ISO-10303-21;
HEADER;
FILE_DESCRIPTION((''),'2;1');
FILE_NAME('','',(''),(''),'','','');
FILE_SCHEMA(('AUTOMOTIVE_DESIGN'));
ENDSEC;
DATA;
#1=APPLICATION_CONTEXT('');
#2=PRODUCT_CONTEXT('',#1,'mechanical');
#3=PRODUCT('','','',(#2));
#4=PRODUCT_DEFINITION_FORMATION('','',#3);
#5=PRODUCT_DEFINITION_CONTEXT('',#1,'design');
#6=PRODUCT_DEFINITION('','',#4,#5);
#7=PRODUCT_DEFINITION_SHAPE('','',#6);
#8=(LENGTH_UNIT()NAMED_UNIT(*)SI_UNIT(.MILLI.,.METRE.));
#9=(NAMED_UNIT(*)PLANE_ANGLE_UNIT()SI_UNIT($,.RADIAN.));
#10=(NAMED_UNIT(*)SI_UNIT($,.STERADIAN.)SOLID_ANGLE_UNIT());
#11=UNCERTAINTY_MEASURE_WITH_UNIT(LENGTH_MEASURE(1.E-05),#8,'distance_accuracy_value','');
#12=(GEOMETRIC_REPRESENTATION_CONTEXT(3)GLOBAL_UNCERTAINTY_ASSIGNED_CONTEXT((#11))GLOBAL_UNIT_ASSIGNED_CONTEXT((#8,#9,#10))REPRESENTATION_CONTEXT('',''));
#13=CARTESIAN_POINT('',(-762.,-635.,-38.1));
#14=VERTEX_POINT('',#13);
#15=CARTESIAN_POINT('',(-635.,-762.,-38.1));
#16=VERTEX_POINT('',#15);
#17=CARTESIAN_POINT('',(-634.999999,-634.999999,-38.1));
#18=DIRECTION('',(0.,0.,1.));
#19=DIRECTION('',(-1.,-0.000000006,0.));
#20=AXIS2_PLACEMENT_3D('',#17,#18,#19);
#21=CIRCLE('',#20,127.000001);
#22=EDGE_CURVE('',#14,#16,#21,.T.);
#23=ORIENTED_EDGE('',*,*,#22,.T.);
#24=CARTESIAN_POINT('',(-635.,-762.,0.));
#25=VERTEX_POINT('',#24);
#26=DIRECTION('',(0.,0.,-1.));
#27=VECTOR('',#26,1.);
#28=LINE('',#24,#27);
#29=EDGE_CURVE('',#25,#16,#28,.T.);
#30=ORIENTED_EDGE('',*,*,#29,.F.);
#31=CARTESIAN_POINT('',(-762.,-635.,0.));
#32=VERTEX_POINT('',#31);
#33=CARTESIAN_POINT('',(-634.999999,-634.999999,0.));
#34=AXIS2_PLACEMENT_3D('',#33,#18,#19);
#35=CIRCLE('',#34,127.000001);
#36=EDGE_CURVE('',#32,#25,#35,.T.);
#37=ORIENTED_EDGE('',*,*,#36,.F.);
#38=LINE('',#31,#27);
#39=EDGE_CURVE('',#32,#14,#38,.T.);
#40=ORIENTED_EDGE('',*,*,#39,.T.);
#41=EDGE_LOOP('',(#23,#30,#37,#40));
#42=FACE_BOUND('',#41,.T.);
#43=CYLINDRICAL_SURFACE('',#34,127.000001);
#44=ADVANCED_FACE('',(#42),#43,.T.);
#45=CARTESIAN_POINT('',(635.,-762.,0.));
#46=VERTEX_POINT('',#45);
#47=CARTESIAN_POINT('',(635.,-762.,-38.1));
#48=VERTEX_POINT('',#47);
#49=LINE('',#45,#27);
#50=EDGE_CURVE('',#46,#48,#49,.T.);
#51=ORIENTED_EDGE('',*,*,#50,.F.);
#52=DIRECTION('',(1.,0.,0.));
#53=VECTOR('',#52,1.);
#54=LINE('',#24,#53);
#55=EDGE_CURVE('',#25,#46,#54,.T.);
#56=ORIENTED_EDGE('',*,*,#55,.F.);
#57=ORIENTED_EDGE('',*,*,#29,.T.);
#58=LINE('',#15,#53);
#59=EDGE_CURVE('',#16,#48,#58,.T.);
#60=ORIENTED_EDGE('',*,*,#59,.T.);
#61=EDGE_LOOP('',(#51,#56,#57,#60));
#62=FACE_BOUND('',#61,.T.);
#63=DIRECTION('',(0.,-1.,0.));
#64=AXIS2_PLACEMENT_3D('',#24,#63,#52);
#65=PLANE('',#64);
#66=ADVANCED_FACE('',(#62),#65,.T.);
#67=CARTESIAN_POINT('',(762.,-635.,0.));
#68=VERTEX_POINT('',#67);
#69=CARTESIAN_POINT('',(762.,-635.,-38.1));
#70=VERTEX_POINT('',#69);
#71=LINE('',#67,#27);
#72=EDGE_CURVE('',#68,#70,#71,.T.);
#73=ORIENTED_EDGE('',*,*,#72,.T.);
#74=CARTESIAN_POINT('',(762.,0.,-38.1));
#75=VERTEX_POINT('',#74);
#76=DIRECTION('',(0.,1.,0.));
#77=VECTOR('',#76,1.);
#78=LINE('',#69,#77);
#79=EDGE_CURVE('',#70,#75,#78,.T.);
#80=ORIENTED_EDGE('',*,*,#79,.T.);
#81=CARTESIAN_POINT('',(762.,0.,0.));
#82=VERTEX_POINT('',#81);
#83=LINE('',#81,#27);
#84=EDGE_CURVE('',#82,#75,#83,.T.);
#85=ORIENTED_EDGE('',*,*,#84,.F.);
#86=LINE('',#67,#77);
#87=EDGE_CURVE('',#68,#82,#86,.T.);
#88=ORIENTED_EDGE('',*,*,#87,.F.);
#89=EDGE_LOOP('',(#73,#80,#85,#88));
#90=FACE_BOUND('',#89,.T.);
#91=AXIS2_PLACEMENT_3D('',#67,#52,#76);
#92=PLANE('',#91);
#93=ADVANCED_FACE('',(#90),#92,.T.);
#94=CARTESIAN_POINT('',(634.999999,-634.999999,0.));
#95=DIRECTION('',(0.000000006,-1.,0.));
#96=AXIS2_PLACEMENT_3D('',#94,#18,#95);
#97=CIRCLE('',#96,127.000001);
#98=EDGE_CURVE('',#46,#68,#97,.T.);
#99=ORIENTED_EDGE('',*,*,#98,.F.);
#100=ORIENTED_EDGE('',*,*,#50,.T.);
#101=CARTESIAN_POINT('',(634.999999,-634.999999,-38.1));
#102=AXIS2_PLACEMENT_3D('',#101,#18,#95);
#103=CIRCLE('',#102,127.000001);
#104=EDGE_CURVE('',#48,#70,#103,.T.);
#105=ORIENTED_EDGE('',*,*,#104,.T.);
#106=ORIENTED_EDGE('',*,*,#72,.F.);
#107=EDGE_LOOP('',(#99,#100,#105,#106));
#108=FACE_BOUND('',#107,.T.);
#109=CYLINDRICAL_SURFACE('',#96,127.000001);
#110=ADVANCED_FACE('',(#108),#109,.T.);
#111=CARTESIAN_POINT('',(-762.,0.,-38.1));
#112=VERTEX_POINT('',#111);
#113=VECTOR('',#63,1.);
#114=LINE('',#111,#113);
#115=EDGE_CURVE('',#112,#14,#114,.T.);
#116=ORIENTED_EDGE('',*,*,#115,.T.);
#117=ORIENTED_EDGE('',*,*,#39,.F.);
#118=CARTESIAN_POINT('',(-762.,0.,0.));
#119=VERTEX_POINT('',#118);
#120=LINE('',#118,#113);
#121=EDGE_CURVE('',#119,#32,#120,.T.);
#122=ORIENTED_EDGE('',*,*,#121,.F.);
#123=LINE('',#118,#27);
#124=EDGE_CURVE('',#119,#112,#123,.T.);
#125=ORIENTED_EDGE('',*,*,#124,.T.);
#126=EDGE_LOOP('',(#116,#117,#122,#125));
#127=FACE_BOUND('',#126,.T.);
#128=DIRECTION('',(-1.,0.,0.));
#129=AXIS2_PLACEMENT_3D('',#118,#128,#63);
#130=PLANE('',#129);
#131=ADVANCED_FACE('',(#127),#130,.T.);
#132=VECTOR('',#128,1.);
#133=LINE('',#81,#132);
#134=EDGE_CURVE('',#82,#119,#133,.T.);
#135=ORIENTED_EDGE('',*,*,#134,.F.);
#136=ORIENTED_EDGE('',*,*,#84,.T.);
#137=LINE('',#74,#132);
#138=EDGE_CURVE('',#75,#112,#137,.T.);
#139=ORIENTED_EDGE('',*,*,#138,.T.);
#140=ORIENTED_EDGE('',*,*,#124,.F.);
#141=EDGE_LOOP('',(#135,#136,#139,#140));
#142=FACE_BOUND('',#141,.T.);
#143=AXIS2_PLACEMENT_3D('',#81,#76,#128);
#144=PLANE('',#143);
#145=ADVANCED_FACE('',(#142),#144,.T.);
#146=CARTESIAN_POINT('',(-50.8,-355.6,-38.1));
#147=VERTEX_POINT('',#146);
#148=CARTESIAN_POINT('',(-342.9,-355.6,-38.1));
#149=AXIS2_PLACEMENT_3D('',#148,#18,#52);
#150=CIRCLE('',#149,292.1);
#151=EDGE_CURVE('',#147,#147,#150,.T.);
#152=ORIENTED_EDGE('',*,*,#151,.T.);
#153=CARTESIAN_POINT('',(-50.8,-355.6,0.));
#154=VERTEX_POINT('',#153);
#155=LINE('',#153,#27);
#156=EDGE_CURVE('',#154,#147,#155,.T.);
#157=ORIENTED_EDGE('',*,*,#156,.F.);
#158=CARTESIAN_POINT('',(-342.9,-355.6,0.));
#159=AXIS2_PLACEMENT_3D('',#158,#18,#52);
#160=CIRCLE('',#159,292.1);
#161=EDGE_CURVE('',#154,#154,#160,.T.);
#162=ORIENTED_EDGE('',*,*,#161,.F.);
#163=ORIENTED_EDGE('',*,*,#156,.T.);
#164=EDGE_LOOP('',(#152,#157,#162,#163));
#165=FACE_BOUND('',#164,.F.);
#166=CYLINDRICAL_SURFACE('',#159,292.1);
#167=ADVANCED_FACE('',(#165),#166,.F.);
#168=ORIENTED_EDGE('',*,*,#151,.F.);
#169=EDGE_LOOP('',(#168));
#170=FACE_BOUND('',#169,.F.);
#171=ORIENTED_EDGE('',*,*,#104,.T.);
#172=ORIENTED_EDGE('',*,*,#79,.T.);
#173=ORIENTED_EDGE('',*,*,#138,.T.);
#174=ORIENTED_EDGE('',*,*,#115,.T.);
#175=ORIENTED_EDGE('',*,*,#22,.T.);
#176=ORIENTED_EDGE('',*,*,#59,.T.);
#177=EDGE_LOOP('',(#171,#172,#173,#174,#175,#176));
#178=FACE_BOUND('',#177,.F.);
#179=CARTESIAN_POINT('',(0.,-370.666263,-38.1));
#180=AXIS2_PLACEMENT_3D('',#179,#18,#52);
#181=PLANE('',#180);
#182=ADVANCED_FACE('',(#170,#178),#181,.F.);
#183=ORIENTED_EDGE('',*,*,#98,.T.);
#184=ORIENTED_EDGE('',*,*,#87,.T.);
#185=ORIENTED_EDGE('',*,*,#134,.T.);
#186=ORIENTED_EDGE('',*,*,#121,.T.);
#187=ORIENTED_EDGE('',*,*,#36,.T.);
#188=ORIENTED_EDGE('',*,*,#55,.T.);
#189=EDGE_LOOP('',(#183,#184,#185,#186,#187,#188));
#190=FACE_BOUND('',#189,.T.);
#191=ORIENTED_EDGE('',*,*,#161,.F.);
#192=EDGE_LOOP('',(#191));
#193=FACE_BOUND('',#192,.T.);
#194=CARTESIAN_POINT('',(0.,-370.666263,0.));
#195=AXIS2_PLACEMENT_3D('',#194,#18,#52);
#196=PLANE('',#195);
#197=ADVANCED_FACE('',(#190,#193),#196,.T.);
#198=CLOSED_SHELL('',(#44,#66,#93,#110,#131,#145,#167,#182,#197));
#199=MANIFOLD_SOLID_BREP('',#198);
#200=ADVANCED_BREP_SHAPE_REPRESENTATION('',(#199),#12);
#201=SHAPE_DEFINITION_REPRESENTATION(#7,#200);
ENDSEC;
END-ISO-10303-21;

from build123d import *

# Parameters (mm, degrees)
F0_R     = 292.1
F1_DEPTH = 38.1


with BuildPart() as f1:
    # F0 (on Top) → F1 (new body)
    with BuildSketch(Plane.XY):
        with BuildLine():
            Line((762, 0), (-762, 0))
            Line((-762, 0), (-762, -635))
            ThreePointArc((-762, -635), (-724.802561, -724.802561), (-635, -762))
            Line((-635, -762), (635, -762))
            ThreePointArc((635, -762), (724.802561, -724.802561), (762, -635))
            Line((762, -635), (762, 0))
        make_face()
        with Locations((-342.9, -355.6)):
            Circle(F0_R, mode=Mode.SUBTRACT)
    extrude(amount=-F1_DEPTH)


solid = f1.part
